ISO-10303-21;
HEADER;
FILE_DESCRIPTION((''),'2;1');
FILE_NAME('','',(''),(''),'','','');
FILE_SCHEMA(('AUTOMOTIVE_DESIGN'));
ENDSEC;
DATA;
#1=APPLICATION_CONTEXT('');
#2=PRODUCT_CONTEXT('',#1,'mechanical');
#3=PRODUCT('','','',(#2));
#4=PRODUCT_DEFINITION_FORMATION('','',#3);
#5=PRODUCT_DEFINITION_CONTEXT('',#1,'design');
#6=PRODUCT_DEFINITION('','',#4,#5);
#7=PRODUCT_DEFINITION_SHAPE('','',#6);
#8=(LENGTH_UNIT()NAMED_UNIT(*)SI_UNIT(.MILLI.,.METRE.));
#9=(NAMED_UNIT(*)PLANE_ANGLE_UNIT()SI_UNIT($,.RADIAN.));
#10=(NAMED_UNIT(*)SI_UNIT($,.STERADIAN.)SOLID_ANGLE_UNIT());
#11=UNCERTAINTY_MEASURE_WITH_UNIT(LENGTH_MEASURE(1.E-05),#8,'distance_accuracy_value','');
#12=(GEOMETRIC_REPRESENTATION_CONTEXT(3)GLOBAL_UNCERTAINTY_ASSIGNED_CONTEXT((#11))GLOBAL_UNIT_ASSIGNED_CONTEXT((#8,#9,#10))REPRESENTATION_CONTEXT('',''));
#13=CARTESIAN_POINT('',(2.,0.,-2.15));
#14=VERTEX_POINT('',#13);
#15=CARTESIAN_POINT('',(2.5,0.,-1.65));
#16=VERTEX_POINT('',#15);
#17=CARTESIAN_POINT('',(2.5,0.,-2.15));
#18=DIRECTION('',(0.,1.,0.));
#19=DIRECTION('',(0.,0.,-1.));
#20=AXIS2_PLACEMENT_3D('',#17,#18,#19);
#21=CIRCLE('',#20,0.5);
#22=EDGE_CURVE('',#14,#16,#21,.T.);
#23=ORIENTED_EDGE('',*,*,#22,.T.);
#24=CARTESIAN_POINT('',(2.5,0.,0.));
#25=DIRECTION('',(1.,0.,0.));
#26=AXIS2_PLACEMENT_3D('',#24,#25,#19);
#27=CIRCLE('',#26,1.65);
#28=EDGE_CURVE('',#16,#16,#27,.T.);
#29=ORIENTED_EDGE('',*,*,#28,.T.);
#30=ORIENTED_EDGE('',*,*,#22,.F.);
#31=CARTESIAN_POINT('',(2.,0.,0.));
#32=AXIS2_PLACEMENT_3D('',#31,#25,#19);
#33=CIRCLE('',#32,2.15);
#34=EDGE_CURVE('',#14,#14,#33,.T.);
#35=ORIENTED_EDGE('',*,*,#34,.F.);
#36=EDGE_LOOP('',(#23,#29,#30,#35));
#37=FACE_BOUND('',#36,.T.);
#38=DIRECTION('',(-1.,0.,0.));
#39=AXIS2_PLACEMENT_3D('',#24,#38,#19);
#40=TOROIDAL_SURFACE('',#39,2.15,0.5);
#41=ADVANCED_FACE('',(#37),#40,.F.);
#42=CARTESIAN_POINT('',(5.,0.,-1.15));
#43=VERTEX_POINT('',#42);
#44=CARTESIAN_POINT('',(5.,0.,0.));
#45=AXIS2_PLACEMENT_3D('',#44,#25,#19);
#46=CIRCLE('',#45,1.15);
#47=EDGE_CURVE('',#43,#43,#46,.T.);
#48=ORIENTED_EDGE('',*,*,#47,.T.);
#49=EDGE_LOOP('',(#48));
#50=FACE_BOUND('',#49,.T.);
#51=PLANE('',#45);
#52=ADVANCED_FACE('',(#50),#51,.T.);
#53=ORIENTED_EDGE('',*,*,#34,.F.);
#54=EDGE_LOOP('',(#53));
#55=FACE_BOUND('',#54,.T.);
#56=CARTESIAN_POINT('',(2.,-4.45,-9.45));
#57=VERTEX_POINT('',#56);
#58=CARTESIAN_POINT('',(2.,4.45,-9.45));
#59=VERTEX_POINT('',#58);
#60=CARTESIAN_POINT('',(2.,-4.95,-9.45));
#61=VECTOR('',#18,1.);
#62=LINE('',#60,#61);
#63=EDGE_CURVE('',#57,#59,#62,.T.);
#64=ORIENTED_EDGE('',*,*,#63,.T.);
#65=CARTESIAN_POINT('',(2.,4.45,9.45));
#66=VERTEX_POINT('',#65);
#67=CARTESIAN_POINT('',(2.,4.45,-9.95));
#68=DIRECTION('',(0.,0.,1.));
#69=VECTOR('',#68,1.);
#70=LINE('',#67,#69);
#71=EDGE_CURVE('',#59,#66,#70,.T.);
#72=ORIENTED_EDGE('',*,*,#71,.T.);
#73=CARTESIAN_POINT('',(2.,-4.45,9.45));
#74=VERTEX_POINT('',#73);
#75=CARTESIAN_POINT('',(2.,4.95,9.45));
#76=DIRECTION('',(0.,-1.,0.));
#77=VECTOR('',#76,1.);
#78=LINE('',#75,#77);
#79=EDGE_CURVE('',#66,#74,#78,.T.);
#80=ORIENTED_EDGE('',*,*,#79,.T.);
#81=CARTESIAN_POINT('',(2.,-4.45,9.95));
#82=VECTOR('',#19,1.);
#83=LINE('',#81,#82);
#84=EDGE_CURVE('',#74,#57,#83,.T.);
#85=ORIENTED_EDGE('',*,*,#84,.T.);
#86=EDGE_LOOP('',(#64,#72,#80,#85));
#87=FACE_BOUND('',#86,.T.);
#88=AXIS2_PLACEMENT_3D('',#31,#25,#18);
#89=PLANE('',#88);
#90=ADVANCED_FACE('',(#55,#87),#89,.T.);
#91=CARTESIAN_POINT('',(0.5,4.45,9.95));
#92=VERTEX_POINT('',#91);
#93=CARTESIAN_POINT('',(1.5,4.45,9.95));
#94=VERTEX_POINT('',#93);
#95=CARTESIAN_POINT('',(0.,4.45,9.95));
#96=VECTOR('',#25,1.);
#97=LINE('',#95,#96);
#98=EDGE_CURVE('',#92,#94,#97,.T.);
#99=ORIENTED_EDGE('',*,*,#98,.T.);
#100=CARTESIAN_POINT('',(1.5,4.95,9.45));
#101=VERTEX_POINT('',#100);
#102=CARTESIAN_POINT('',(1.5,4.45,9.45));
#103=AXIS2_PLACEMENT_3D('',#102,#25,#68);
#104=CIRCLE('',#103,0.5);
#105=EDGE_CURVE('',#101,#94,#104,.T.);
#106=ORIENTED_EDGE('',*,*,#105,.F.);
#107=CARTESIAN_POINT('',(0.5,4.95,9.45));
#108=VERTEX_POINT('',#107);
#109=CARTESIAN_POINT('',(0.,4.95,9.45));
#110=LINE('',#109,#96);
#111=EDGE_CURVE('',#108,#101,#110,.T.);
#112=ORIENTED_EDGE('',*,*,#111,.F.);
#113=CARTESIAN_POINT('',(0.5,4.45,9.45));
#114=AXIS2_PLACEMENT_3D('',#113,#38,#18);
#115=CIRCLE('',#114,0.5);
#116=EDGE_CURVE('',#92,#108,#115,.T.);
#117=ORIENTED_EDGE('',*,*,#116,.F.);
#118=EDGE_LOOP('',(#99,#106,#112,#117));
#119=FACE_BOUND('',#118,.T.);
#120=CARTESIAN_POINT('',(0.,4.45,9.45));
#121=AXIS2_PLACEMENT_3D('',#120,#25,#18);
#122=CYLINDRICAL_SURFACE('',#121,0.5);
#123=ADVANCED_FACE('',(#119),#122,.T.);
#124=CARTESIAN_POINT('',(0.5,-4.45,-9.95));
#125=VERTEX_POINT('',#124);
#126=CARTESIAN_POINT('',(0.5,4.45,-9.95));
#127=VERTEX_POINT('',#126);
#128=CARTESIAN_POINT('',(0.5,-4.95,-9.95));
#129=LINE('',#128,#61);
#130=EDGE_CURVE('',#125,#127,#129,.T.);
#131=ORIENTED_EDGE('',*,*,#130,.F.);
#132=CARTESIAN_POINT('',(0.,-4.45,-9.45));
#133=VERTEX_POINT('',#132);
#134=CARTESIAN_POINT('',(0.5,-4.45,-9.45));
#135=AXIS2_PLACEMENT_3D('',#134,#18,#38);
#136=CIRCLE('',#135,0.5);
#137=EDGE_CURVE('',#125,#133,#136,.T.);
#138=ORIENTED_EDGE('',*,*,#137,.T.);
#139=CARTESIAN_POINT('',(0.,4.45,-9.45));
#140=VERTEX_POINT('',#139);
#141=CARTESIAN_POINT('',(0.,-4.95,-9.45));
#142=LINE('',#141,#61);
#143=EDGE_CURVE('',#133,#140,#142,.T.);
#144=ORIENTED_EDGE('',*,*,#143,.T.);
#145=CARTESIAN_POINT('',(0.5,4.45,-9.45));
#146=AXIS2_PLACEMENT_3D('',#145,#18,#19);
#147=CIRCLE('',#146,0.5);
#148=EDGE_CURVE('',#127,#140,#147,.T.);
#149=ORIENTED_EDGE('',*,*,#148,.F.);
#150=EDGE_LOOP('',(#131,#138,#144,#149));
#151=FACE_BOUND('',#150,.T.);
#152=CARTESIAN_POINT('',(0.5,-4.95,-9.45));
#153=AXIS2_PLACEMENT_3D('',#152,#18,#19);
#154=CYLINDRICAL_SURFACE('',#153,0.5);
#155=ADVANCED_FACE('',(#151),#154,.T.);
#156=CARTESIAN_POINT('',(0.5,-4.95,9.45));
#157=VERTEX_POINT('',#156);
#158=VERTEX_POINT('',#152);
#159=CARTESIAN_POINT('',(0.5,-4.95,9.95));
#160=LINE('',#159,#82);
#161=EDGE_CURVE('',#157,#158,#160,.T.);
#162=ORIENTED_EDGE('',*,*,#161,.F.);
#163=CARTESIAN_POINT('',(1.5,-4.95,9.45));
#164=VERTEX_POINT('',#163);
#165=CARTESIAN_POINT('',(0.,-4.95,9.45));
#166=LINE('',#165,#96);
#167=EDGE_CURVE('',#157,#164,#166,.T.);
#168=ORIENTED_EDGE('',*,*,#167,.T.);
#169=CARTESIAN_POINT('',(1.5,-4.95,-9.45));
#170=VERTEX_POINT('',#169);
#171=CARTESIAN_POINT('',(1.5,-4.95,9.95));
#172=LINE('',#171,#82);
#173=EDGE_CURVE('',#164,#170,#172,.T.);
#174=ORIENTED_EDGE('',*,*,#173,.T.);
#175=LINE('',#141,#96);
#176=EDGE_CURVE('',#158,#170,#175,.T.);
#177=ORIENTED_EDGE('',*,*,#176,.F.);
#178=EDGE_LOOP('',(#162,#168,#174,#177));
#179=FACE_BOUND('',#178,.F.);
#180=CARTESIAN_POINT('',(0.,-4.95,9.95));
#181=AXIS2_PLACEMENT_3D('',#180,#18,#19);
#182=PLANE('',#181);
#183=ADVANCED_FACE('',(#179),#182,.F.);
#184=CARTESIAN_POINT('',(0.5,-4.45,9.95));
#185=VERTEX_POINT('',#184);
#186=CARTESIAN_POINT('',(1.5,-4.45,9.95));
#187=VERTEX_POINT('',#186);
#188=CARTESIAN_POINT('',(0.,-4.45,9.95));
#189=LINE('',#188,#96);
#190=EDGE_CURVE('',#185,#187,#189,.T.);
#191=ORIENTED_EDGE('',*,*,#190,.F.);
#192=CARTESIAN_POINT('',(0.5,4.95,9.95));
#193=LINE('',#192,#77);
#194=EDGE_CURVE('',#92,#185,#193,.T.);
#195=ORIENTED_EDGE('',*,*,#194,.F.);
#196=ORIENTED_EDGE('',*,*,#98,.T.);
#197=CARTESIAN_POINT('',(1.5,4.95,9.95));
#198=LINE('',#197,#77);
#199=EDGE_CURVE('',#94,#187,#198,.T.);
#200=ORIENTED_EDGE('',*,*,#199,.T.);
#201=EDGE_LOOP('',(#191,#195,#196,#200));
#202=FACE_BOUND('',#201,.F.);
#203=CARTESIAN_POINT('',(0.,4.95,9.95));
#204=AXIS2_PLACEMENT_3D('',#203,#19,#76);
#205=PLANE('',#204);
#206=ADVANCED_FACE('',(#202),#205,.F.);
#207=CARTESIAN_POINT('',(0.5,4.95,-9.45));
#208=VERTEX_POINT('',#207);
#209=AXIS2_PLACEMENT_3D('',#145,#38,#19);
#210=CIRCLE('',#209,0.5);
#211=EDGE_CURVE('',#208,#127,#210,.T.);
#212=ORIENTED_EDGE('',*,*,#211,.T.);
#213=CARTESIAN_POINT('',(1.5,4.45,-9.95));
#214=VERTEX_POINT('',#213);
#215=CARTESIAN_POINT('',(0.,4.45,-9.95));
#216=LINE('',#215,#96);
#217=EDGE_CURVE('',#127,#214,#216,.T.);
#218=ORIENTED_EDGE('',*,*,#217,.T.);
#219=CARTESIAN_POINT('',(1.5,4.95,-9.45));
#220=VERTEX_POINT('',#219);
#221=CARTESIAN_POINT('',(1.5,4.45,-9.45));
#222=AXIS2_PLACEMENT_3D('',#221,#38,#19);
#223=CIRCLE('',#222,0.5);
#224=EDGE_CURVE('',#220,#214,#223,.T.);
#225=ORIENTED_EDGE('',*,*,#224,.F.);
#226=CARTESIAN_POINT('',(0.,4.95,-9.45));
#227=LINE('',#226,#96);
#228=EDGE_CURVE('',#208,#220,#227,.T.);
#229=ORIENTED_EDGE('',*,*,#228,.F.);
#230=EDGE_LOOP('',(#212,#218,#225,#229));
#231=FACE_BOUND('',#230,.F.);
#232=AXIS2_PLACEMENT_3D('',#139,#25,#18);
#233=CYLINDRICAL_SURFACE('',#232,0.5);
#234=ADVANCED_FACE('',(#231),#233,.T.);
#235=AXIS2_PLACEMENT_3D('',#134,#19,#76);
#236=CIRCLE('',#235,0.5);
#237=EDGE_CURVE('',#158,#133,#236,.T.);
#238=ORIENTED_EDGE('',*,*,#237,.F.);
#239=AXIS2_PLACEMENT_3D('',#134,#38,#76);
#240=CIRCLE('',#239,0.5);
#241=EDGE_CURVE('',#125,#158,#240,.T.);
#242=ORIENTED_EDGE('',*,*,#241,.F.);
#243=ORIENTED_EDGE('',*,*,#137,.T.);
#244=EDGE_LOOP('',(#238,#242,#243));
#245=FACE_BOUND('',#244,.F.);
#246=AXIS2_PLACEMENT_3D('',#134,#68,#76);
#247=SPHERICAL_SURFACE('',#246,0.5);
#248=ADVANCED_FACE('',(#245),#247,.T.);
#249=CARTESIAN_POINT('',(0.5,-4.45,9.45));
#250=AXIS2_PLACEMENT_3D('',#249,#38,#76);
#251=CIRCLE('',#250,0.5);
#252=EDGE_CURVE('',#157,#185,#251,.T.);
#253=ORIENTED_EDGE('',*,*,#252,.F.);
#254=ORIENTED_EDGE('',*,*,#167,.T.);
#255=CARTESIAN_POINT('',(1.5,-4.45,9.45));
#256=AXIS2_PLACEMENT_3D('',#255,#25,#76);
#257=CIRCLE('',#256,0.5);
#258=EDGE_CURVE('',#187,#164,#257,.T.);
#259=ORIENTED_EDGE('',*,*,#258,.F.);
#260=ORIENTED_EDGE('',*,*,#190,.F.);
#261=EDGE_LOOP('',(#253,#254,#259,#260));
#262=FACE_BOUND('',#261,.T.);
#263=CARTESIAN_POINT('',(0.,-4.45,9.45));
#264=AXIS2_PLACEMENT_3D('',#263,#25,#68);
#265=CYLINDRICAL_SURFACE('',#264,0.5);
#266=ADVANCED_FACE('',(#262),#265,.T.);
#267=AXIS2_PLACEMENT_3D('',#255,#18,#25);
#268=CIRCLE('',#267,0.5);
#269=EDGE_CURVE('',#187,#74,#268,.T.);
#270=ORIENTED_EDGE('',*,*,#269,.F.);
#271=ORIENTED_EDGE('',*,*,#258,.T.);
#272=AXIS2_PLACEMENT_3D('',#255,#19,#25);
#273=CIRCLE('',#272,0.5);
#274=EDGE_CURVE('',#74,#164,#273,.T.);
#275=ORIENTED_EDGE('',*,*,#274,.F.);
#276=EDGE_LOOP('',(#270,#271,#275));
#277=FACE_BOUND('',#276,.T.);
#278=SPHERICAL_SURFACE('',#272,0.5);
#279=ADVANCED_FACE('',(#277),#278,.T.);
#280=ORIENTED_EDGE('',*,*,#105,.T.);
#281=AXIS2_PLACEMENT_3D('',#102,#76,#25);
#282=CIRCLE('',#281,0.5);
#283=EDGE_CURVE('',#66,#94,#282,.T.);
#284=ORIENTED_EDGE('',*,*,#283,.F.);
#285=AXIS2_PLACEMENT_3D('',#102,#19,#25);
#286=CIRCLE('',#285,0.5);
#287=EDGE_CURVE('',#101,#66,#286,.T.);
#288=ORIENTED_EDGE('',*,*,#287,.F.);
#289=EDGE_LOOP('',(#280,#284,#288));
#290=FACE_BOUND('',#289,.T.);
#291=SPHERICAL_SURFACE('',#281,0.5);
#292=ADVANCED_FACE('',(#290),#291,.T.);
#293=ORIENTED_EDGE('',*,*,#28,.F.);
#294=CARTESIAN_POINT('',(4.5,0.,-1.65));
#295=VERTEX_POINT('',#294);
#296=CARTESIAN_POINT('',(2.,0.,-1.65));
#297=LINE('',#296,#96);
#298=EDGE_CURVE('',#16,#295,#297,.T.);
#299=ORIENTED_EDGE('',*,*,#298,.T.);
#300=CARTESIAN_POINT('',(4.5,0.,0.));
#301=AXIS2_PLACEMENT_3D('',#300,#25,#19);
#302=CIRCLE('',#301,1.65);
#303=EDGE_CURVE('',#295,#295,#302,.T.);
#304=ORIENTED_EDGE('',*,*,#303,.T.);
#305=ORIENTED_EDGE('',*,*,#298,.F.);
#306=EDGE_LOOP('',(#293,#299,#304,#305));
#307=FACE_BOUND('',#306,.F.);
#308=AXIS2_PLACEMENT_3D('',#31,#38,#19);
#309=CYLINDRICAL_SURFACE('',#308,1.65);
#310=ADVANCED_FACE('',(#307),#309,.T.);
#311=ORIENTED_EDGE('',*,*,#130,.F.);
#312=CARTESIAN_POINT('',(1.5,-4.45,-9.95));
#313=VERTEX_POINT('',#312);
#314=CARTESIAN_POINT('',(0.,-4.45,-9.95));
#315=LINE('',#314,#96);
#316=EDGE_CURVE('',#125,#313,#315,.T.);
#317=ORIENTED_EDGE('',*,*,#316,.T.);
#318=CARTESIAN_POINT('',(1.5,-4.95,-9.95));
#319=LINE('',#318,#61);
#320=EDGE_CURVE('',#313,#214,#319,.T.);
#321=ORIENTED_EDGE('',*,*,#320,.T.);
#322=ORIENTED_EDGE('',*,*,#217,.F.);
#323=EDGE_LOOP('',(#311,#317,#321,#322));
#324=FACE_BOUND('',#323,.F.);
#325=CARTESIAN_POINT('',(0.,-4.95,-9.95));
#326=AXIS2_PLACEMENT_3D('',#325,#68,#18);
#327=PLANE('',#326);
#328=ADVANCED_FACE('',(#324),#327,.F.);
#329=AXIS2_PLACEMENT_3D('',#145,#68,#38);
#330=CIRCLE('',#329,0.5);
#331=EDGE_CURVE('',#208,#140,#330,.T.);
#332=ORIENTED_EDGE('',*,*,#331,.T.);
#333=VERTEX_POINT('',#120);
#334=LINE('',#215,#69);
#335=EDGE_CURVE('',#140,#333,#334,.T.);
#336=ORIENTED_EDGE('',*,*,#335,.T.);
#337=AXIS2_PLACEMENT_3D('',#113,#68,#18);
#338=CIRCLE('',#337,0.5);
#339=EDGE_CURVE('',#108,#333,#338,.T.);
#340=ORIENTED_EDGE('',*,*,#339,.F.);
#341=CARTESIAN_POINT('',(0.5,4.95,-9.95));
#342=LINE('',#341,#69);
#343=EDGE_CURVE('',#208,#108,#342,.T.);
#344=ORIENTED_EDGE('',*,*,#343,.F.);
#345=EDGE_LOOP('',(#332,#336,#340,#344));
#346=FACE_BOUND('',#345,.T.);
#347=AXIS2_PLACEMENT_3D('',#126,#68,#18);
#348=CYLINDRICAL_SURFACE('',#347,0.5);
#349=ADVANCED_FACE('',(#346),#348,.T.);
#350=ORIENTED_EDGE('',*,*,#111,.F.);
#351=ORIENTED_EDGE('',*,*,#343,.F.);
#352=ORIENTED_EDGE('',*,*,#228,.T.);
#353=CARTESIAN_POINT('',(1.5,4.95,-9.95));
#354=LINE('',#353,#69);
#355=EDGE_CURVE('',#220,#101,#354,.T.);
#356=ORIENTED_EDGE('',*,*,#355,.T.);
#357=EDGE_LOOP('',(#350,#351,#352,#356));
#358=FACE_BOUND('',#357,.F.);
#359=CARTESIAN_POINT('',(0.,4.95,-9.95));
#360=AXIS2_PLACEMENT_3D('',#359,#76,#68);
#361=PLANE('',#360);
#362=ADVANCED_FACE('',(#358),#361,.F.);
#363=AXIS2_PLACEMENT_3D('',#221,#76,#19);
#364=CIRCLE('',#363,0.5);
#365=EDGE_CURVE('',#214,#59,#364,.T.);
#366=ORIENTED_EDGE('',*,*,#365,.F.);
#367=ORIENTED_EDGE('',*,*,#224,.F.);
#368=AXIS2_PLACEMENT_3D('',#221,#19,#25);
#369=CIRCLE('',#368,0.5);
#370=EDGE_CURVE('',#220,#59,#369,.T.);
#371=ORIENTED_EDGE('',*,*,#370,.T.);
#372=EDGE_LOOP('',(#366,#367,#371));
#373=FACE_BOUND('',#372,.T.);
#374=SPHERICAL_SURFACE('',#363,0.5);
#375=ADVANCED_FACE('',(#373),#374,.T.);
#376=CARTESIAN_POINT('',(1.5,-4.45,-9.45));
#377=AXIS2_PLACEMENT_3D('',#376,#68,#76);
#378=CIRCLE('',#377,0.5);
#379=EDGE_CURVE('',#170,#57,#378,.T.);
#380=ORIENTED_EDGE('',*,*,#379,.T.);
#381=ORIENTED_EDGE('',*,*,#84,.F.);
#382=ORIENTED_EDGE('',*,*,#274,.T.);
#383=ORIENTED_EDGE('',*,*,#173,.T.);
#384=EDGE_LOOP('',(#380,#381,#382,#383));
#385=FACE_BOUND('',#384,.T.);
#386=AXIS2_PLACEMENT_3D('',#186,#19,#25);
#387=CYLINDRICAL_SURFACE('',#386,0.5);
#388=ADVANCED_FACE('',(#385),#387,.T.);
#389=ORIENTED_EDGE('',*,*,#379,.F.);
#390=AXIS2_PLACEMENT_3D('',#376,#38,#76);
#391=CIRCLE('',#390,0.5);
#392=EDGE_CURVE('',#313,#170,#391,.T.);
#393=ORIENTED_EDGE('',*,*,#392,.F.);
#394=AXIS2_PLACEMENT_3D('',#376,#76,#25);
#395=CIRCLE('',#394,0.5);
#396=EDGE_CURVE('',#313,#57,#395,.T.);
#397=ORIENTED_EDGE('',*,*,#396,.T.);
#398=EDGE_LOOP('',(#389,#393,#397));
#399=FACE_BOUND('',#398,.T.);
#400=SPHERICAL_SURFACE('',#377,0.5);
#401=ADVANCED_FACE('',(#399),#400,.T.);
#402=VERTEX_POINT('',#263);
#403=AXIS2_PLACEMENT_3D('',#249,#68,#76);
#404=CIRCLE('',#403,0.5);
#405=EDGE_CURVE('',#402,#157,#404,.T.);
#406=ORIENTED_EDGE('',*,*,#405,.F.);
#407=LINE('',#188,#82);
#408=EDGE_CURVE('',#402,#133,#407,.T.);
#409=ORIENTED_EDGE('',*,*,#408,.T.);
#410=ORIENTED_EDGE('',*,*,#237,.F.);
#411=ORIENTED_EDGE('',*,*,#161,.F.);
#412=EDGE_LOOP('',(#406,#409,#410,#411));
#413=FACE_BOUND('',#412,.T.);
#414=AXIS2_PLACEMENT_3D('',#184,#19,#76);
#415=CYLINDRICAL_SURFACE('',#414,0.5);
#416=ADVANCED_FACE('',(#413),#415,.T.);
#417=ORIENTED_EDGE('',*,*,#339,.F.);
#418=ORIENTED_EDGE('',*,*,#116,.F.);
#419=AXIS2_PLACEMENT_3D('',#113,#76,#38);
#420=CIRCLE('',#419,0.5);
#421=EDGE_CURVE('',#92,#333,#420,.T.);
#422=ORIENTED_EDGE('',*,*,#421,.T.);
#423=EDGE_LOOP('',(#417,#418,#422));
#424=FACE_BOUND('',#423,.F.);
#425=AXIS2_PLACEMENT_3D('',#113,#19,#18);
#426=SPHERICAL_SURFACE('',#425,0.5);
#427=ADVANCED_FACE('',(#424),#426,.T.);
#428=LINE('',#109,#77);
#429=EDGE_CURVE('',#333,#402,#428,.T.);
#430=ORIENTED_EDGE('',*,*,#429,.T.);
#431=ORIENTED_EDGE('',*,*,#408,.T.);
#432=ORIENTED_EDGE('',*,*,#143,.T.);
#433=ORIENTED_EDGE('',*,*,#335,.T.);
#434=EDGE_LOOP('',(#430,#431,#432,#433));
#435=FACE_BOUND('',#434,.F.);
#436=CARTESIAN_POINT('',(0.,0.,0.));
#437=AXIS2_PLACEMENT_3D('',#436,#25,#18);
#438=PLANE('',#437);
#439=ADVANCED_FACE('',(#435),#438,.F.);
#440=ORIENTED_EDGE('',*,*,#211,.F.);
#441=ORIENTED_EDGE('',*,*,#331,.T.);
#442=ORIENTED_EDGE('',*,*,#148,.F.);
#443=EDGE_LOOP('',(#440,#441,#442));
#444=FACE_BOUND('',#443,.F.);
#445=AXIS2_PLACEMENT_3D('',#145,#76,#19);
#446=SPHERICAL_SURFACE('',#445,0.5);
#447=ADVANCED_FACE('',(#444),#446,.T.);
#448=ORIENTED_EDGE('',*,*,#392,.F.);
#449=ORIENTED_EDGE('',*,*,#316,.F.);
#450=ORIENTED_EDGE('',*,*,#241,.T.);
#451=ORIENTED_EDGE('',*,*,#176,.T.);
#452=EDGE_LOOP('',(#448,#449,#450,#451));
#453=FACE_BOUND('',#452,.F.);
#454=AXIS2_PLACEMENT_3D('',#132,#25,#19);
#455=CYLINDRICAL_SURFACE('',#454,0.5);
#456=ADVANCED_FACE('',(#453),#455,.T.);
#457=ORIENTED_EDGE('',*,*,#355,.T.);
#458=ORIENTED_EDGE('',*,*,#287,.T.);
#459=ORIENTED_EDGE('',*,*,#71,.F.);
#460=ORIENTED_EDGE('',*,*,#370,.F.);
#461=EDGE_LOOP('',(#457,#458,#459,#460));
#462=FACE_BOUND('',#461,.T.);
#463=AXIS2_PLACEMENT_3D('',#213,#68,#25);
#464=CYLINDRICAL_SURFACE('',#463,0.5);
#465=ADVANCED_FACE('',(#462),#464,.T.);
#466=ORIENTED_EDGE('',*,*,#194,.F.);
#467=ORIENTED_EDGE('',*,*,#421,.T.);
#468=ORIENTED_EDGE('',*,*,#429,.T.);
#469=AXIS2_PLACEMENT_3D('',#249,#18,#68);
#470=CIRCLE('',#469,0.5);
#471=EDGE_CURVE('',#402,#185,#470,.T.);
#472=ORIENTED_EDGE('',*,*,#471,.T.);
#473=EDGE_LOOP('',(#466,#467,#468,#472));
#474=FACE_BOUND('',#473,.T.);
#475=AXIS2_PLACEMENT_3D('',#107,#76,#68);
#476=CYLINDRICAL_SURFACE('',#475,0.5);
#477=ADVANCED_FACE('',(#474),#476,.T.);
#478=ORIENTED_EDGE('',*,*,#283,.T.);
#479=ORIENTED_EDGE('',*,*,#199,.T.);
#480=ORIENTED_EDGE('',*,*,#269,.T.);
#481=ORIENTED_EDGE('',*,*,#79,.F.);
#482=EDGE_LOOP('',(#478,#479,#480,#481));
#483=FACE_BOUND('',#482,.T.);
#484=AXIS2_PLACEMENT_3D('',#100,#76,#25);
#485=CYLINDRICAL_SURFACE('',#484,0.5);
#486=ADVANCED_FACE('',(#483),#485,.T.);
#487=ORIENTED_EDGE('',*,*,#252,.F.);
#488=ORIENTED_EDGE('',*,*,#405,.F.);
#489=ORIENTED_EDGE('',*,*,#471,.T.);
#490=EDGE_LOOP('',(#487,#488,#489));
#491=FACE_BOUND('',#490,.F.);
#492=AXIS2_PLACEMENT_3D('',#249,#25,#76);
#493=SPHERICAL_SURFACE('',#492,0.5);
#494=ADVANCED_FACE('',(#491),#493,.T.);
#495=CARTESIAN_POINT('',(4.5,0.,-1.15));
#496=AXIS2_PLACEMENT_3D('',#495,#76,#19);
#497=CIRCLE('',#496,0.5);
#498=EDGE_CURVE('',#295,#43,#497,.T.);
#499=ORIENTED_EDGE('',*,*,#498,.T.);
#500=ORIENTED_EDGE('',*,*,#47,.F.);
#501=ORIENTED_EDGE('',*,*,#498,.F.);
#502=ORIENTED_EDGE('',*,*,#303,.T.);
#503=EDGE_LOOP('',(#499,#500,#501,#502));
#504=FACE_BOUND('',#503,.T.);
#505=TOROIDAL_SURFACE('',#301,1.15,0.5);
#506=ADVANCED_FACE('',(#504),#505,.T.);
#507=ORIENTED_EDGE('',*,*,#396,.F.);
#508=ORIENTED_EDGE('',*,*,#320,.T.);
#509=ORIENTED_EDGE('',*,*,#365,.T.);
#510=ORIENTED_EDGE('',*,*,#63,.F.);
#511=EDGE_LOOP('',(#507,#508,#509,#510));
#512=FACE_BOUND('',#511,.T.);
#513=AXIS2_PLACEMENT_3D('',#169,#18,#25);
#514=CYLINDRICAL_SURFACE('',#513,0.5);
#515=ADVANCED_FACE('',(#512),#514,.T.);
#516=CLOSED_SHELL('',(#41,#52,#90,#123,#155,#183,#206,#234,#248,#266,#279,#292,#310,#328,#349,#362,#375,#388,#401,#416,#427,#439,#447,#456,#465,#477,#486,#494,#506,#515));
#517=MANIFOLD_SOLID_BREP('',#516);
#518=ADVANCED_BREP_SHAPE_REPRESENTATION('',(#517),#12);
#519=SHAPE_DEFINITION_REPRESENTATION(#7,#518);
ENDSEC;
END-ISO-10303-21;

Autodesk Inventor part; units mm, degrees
ref_plane "YZ Plane" through (0, 0, 0) normal (1, 0, 0) x (0, 1, 0)
ref_plane "XZ Plane" through (0, 0, 0) normal (0, 1, 0) x (-1, 0, 0)
ref_plane "XY Plane" through (0, 0, 0) normal (0, 0, 1) x (1, 0, 0)
sketch "Sketch1" plane through (0, 0, 0) normal (1, 0, 0) x (0, 1, 0)
  line L0 (0, 13.93) -> (0, -13.93) construction
  line L1 (-6.93, 0) -> (6.93, 0) construction
  line L2 (4.95, 9.95) -> (-4.95, 9.95)
  line L3 (-4.95, 9.95) -> (-4.95, -9.95)
  line L4 (-4.95, -9.95) -> (4.95, -9.95)
  line L5 (4.95, -9.95) -> (4.95, 9.95)
  point P0 (0, 0)
  dimension "d0" = 9.9
  dimension "d1" = 19.9
extrude "Extrusion1" add sketch "Sketch1" along normal blind 2
sketch "Sketch2" plane through (2, 0, 0) normal (1, 0, 0) x (0, 0, -1)
  circle A0 centre (0, 0) radius 1.65
  dimension "d4" = 3.3
extrude "Extrusion2" add sketch "Sketch2" along normal blind 3
fillet "Fillet1" radius 0.5 2 edges at (2, 0, 1.65) (5, 0, 1.65)
fillet "Fillet2" radius 0.5 12 edges at (2, -4.95, 0) (2, 0, 9.95) (1, -4.95, 9.95) (0, -4.95, 0) (1, -4.95, -9.95) (2, 0, -9.95) (0, 0, -9.95) (1, 4.95, -9.95) (0, 4.95, 0) (2, 4.95, 0) (1, 4.95, 9.95) (0, 0, 9.95)
properties part number "10x20-sample-bottom-V1"
